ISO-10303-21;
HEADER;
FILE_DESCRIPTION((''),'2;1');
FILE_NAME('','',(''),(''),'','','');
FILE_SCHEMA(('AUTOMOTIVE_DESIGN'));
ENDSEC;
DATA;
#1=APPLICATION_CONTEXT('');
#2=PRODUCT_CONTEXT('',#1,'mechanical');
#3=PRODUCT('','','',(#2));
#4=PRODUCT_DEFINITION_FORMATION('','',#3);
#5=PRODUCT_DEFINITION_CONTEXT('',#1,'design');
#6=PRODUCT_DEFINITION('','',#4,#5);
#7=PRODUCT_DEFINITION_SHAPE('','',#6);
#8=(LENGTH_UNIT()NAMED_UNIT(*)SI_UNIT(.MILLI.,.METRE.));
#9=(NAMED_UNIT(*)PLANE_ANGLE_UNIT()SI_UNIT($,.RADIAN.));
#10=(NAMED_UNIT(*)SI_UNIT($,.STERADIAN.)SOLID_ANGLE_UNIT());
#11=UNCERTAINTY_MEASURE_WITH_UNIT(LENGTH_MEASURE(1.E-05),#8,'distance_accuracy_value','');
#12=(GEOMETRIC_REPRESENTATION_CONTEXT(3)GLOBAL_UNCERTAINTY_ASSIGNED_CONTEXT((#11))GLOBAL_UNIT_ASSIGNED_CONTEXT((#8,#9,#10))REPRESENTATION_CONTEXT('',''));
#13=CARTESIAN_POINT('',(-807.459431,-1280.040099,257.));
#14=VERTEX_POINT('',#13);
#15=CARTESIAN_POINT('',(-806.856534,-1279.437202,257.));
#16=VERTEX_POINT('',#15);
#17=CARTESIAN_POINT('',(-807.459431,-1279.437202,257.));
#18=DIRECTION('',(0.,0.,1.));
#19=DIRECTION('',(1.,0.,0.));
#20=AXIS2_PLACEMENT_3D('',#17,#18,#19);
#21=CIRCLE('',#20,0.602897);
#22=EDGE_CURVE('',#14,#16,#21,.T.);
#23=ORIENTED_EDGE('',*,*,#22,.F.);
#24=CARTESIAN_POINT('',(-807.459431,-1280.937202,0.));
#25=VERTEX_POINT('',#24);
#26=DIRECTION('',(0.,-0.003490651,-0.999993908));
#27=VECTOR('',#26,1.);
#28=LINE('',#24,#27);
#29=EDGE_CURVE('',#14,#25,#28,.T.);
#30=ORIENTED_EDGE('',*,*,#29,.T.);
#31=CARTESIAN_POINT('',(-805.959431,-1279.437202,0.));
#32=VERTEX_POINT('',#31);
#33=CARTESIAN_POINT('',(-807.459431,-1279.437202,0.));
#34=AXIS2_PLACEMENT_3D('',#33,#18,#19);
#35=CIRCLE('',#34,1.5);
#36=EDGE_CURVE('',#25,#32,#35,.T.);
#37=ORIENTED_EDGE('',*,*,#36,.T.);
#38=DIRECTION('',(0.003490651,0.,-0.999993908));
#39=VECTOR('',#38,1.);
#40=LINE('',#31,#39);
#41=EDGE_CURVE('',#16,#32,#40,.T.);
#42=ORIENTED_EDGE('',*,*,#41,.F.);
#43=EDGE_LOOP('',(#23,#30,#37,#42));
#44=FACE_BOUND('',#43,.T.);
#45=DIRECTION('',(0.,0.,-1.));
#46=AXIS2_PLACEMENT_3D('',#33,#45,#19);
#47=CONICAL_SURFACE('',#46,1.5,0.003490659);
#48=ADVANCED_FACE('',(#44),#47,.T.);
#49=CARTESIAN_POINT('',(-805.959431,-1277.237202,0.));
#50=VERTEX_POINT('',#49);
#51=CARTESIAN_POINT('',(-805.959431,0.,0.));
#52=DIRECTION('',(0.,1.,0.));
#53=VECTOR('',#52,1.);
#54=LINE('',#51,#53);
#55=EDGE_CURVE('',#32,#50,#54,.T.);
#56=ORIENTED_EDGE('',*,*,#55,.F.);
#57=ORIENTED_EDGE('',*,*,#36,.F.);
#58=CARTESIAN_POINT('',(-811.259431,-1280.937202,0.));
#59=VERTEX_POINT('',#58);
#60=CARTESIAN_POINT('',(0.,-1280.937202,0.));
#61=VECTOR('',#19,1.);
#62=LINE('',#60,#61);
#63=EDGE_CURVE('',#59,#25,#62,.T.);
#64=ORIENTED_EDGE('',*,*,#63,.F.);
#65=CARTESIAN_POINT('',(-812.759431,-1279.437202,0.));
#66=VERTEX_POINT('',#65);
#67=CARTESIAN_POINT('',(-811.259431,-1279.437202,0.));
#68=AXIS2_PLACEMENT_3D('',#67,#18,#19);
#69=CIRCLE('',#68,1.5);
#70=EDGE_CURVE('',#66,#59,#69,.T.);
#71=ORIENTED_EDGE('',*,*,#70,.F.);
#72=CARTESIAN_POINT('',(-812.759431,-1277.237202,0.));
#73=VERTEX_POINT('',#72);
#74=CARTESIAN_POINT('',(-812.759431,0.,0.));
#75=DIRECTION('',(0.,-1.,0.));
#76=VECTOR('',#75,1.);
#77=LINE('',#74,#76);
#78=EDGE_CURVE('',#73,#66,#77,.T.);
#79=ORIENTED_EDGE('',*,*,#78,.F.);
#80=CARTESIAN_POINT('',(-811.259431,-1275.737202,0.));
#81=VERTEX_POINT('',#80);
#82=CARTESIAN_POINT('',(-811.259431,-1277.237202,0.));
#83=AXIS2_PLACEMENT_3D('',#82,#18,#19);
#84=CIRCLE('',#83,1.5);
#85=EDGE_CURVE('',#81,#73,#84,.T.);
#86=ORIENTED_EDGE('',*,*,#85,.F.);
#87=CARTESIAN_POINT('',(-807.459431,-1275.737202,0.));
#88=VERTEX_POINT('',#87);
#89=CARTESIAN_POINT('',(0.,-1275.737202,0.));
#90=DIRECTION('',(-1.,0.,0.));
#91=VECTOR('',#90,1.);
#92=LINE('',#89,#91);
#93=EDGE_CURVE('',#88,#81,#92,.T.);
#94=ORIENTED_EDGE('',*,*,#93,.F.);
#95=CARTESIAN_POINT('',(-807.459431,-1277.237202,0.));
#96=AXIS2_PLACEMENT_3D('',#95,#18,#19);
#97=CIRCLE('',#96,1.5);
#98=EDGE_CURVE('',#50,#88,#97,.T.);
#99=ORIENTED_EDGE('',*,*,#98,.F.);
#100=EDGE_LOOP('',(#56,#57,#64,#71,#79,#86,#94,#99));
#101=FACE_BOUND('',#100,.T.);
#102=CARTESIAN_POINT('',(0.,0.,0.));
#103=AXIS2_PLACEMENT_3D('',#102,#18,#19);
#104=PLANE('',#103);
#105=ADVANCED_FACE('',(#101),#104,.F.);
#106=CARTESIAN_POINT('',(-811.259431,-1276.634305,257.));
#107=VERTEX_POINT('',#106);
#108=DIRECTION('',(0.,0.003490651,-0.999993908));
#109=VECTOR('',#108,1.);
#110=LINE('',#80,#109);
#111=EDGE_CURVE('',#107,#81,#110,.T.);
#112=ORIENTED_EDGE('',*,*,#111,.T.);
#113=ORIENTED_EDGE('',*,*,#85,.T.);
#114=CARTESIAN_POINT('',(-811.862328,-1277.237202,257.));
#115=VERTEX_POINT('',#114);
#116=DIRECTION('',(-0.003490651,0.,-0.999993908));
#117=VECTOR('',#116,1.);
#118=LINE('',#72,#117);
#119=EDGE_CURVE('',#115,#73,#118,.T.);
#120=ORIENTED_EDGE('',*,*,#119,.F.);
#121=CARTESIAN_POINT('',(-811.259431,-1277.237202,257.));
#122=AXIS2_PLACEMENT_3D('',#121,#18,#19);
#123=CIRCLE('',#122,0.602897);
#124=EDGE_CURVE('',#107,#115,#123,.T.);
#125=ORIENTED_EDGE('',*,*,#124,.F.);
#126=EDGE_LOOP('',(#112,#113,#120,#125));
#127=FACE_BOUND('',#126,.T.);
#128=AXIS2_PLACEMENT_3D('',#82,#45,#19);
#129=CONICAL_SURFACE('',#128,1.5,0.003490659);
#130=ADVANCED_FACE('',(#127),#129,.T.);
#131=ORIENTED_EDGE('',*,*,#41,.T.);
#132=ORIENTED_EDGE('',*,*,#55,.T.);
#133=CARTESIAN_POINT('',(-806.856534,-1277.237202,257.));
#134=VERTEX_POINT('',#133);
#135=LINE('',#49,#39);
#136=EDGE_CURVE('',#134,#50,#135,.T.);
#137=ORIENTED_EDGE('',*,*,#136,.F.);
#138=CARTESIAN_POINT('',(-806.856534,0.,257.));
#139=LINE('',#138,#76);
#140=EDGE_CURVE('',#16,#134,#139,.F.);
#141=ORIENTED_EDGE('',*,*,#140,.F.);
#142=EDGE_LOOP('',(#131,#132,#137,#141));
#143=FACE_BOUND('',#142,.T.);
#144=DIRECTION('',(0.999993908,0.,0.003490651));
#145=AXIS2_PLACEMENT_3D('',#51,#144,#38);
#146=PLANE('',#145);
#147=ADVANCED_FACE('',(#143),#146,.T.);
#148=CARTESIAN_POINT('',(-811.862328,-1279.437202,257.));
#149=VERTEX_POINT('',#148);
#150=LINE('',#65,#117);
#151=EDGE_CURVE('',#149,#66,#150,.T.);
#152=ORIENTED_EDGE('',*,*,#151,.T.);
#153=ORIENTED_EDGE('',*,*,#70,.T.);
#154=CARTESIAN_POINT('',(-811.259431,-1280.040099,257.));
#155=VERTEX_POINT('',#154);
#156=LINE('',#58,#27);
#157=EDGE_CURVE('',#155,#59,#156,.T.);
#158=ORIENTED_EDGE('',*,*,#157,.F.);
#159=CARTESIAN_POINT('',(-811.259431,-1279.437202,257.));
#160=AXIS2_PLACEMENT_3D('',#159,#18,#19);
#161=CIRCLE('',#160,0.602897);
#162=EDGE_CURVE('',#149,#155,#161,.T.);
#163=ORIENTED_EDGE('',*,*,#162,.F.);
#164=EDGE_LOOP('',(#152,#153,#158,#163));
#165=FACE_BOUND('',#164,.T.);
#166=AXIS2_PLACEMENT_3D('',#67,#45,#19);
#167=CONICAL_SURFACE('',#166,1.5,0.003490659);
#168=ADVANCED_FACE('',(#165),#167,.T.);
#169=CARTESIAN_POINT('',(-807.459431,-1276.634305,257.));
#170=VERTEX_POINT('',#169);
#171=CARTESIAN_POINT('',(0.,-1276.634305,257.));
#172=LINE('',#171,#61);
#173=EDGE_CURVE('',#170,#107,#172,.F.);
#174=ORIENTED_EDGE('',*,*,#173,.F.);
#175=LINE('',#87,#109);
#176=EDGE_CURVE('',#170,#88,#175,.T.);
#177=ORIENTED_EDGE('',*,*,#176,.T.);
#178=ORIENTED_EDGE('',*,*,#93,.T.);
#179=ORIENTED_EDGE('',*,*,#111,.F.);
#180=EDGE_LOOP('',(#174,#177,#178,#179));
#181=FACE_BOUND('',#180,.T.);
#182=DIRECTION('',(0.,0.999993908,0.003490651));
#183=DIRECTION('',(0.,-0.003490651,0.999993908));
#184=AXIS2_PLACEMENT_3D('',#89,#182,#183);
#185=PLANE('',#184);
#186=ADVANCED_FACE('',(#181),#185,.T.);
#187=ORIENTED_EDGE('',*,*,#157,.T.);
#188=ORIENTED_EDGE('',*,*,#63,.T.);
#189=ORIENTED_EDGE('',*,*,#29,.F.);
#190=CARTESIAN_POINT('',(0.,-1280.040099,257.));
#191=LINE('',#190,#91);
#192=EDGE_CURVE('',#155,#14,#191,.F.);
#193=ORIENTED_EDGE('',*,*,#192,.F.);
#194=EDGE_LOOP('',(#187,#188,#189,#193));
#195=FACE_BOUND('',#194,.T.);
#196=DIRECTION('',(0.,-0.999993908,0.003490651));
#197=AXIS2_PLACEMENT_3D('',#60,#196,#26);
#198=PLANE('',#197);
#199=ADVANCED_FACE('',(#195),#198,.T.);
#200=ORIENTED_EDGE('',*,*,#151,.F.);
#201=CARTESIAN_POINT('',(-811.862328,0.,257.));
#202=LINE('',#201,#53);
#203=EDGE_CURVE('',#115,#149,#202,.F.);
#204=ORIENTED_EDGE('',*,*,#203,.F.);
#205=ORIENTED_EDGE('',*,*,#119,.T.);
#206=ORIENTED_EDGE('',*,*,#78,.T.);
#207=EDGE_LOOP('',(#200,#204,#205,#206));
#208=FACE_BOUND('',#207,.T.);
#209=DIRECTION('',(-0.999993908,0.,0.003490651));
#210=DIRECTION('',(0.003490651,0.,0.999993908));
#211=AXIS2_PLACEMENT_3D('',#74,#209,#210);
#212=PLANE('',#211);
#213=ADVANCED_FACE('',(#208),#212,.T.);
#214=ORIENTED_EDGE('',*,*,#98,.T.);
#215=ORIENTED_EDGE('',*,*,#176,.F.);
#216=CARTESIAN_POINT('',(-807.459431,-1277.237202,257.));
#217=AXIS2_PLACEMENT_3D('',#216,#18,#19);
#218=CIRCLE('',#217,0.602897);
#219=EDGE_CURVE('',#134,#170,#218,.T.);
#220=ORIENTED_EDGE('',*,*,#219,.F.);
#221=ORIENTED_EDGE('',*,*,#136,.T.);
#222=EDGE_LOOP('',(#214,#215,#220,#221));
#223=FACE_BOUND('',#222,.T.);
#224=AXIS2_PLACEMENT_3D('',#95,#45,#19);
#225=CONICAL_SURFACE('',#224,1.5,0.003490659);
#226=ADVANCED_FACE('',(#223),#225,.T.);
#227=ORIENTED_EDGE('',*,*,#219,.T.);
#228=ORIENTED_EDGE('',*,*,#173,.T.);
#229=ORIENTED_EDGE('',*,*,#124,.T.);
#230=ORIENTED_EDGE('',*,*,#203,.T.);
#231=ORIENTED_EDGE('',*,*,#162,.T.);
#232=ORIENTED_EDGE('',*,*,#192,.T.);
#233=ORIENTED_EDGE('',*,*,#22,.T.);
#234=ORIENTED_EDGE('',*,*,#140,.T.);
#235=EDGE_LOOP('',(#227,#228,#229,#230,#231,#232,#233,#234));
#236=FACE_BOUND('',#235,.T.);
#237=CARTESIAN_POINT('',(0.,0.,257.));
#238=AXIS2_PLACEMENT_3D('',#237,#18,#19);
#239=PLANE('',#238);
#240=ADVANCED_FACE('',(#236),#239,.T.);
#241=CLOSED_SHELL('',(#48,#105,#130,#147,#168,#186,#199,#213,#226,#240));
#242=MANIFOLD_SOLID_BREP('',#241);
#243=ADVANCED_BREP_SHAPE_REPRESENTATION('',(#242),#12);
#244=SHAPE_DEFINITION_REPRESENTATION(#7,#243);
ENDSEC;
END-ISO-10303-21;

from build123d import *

# Parameters (mm, degrees)
BOSS_EXTRUDE1_DEPTH = 257
BOSS_EXTRUDE1_TAPER = 0.2


with BuildPart() as part:
    # Sketch1 → Boss-Extrude1 (new body)
    with BuildSketch(Plane.XY):
        with BuildLine():
            Line((-805.959430903, -1279.437202161), (-805.959430903, -1277.237202161))
            ThreePointArc((-805.959430903, -1277.237202161), (-806.398770731, -1276.176541989), (-807.459430903, -1275.737202161))
            Line((-807.459430903, -1275.737202161), (-811.259430903, -1275.737202161))
            ThreePointArc((-811.259430903, -1275.737202161), (-812.320091075, -1276.176541989), (-812.759430903, -1277.237202161))
            Line((-812.759430903, -1277.237202161), (-812.759430903, -1279.437202161))
            ThreePointArc((-812.759430903, -1279.437202161), (-812.320091075, -1280.497862332), (-811.259430903, -1280.937202161))
            Line((-811.259430903, -1280.937202161), (-807.459430903, -1280.937202161))
            ThreePointArc((-807.459430903, -1280.937202161), (-806.398770731, -1280.497862332), (-805.959430903, -1279.437202161))
        make_face()
    extrude(amount=BOSS_EXTRUDE1_DEPTH, taper=BOSS_EXTRUDE1_TAPER)


solid = part.part
